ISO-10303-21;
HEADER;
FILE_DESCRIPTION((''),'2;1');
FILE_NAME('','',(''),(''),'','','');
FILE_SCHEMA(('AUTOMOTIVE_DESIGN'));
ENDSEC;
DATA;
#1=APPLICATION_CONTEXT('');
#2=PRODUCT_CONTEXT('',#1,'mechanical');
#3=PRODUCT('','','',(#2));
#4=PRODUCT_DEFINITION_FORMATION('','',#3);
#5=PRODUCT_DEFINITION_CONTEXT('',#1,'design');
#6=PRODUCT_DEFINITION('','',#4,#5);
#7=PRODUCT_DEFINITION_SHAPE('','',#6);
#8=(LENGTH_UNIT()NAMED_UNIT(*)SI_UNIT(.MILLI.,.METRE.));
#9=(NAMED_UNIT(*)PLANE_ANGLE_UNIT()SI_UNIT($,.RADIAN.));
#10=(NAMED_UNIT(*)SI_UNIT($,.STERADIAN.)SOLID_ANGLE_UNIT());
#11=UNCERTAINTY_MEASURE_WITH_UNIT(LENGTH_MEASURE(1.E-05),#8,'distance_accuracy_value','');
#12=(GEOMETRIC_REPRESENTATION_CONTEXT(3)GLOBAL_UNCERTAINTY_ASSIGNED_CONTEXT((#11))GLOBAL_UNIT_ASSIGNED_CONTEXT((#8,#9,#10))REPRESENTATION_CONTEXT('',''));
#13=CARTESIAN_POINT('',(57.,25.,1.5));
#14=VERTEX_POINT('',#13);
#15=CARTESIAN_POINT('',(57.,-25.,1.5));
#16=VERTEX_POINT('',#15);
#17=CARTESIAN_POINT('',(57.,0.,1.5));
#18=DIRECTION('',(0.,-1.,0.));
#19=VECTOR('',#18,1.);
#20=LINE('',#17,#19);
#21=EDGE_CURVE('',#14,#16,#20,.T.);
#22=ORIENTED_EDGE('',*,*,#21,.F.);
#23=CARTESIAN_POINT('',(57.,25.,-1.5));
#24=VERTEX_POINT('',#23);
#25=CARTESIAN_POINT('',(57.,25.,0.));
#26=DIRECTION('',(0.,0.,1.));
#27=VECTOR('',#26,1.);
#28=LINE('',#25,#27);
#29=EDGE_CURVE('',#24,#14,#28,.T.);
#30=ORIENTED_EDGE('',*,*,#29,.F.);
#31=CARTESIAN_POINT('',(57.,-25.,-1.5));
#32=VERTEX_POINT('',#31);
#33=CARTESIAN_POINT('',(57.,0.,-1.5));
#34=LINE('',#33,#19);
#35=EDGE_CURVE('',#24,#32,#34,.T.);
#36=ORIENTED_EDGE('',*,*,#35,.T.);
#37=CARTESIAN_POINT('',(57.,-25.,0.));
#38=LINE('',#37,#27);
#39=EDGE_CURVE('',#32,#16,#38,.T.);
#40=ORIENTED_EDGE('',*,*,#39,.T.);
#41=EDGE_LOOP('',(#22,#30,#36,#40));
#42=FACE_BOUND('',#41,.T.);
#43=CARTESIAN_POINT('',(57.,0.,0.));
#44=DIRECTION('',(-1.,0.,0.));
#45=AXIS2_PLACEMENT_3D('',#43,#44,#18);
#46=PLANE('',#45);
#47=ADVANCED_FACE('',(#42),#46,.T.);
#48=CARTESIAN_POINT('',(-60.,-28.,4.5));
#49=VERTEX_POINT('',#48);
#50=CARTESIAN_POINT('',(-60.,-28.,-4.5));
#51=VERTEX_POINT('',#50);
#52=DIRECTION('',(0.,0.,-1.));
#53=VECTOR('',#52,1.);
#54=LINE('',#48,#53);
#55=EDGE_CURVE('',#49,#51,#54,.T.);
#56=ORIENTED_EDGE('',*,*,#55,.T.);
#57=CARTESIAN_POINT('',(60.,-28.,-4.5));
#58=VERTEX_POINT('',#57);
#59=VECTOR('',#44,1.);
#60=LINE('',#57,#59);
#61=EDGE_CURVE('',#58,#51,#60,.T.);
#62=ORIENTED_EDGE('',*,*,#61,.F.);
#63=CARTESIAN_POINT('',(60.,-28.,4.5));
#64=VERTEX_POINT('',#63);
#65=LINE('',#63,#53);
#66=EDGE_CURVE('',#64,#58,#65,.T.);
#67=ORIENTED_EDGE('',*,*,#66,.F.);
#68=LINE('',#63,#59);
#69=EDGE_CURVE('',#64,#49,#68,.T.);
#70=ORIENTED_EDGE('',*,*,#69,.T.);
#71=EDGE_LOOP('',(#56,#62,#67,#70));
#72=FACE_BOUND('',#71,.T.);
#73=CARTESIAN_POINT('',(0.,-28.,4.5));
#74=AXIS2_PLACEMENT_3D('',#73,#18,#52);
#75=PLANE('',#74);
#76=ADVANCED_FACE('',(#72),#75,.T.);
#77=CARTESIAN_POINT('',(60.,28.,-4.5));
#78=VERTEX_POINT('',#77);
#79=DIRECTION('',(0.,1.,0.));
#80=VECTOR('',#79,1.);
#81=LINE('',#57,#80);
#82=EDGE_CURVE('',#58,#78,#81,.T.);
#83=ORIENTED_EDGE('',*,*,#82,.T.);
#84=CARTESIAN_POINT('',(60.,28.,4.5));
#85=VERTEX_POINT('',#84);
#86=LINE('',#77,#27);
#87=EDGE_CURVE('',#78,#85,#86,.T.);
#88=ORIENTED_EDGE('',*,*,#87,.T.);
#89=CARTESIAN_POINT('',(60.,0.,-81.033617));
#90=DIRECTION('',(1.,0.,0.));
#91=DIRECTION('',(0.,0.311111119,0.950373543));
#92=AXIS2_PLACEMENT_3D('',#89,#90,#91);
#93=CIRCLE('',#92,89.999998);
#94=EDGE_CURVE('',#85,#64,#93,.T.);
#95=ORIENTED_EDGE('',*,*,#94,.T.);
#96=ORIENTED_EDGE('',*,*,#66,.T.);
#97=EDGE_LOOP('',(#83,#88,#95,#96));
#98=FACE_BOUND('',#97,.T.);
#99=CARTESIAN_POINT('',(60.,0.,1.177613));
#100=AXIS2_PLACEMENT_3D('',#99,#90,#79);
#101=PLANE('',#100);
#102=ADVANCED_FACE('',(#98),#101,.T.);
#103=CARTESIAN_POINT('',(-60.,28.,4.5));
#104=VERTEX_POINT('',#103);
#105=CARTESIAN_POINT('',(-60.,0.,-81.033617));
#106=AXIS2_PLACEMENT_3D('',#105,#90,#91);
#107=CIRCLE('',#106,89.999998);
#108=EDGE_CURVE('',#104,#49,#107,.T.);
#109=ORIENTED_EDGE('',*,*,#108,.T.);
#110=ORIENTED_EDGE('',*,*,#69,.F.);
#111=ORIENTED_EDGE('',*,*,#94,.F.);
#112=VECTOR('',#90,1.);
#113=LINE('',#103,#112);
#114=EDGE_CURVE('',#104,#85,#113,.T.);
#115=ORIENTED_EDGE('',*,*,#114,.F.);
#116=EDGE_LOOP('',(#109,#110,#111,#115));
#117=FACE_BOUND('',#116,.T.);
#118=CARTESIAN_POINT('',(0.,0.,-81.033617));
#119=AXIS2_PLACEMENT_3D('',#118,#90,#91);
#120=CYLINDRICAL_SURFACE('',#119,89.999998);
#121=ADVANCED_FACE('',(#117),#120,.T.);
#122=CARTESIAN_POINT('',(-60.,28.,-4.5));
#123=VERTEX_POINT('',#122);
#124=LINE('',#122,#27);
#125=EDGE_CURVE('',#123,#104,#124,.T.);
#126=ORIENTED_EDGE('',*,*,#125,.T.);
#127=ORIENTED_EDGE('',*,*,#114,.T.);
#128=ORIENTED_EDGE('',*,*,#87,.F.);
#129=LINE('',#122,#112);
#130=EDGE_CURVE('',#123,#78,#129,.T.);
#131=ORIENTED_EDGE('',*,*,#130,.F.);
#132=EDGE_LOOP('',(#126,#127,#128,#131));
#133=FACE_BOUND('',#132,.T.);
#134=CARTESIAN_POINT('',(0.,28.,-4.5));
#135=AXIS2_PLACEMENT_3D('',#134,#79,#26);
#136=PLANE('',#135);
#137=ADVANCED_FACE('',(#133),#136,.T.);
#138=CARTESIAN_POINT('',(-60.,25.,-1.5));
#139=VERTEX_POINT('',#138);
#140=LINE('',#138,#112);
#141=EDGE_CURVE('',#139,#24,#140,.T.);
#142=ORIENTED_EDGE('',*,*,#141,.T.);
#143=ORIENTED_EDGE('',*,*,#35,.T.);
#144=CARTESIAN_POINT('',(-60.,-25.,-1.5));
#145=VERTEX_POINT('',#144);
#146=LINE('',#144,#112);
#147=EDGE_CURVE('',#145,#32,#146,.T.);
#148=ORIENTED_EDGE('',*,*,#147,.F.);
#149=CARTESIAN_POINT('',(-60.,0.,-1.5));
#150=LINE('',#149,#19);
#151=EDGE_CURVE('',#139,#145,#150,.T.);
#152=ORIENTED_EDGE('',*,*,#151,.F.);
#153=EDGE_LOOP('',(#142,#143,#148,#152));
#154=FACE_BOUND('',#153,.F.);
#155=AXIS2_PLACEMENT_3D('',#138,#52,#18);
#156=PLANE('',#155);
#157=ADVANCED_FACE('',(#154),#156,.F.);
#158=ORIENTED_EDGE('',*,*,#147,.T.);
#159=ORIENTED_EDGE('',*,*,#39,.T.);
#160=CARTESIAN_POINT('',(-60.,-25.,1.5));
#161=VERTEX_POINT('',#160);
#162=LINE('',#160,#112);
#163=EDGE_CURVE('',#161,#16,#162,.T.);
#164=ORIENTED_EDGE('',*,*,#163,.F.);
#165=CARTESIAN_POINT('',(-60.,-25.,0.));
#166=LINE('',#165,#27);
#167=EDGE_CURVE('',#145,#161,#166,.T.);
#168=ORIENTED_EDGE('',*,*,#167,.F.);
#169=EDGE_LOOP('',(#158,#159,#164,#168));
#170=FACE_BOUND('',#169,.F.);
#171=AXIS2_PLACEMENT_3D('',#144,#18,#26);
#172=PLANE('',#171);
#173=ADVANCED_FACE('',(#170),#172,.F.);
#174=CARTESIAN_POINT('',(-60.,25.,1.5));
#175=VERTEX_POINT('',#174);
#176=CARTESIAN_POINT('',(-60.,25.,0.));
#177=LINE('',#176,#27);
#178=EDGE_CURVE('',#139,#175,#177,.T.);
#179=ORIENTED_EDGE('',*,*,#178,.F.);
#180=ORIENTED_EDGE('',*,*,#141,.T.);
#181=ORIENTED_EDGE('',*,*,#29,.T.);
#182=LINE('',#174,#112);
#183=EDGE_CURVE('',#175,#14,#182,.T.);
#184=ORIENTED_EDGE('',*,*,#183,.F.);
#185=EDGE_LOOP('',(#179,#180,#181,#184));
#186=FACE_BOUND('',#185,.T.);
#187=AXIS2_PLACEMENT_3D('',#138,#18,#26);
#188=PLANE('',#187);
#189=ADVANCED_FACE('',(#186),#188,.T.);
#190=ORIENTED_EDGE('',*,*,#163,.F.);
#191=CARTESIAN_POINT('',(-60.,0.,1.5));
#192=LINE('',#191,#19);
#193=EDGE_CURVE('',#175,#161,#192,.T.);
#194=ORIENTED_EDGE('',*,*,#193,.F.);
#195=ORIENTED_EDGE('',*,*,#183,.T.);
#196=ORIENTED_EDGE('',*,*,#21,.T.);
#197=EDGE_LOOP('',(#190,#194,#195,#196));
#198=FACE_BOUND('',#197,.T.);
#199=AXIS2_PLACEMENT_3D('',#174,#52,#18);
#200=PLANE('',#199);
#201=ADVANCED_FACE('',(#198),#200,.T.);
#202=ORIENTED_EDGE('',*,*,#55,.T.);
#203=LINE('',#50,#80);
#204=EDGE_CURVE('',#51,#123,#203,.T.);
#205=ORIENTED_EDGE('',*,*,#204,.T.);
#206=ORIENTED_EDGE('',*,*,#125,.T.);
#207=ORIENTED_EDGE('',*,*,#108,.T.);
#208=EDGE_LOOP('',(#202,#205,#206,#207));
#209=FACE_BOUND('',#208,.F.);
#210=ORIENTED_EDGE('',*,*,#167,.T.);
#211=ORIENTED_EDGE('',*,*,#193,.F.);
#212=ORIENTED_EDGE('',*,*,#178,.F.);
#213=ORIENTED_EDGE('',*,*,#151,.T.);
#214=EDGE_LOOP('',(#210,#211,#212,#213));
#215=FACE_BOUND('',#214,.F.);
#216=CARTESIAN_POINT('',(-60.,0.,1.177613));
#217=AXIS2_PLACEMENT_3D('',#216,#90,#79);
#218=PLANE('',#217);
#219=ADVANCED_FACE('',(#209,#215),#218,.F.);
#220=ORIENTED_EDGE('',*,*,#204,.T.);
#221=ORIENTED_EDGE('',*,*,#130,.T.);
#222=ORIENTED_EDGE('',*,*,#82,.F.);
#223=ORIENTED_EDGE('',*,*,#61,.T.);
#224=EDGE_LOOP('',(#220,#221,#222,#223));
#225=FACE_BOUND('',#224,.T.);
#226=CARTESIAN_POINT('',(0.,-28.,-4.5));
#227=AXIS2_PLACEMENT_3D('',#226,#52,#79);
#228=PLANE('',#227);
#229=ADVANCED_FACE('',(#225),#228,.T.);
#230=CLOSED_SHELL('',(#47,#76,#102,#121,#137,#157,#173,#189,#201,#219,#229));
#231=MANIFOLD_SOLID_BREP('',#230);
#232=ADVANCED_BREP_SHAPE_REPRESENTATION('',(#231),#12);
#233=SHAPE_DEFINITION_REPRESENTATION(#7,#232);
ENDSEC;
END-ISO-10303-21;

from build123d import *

# Parameters (mm, degrees)
F1_DEPTH = 60
F2_W     = 50
F2_H     = 3
F3_DEPTH = 117


with BuildPart() as f1:
    # F0 (on Right) → F1 (new body, symmetric)
    with BuildSketch(Plane.YZ):
        with BuildLine():
            Line((-28, -4.5), (28, -4.5))
            Line((28, -4.5), (28, 4.5))
            ThreePointArc((28, 4.5), (0, 8.966381), (-28, 4.5))
            Line((-28, 4.5), (-28, -4.5))
        make_face()
    extrude(amount=F1_DEPTH, both=True)

    # F2 (on face) → F3 (cut)
    with BuildSketch(Plane(origin=(-60, 0, 0), x_dir=(0, -1, 0), z_dir=(-1, 0, 0))):
        Rectangle(F2_W, F2_H)
    extrude(amount=-F3_DEPTH, mode=Mode.SUBTRACT)


solid = f1.part
